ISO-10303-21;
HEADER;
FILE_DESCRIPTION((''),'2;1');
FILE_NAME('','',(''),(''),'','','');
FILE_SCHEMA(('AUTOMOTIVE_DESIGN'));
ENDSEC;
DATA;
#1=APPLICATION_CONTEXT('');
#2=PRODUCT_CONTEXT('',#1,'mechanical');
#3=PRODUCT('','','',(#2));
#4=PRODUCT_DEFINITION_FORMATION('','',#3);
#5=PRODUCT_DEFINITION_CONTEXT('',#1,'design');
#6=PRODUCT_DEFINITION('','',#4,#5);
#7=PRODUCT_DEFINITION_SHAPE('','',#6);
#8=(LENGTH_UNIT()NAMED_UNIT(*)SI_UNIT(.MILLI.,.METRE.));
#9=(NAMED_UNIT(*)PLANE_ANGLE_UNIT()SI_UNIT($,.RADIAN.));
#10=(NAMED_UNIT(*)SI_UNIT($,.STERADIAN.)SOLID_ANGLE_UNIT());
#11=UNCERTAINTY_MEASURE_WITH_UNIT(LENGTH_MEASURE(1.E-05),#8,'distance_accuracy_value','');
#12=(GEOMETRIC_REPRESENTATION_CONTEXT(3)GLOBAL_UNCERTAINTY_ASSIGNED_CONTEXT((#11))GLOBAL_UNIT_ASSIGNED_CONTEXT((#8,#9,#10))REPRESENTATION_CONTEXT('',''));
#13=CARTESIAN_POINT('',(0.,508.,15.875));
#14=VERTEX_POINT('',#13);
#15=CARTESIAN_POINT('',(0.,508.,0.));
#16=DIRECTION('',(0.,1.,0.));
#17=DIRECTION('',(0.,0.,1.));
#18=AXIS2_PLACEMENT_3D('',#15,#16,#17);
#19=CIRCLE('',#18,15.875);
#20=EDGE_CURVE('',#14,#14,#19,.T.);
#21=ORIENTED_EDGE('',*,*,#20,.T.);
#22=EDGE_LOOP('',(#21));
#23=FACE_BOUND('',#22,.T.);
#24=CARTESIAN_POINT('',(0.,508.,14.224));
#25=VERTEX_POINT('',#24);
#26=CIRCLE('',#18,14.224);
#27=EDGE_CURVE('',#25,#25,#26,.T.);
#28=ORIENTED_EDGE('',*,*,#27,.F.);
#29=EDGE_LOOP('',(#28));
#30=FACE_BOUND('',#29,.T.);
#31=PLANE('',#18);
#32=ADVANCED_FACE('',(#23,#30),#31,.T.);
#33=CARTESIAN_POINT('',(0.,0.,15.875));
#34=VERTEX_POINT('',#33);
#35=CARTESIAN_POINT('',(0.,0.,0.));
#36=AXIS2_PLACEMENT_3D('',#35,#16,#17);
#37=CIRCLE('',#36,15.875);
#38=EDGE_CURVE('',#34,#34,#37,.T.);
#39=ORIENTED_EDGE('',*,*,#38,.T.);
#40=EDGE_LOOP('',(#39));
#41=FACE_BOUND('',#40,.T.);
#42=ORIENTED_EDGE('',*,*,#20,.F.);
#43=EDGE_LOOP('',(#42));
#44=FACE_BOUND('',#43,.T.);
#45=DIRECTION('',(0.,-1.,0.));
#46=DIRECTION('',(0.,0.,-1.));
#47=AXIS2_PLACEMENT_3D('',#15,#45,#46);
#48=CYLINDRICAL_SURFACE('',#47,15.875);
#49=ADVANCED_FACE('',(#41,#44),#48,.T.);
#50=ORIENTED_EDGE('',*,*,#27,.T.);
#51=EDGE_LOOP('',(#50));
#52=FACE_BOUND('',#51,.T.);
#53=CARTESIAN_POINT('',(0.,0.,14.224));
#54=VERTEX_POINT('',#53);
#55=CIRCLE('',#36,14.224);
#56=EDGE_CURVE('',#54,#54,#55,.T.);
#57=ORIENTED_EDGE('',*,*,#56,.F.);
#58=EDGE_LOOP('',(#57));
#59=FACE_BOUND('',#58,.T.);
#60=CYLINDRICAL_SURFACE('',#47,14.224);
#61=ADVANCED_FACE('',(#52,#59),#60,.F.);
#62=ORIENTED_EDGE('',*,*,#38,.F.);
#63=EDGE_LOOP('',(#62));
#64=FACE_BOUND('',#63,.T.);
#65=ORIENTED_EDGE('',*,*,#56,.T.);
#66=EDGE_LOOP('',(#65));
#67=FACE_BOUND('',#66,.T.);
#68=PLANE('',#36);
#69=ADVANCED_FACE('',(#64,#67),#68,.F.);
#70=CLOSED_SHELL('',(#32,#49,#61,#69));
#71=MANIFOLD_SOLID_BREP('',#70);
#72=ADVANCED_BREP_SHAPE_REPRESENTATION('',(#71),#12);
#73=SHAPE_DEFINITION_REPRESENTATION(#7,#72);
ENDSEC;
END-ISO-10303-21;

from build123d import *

# Parameters (mm, degrees)
SKETCH130_R                                   = 15.875
SKETCH130_R_2                                 = 14.224
AL_ROUND_TUBING_AL_RND_TUBE_1_25_OD_X_0_DEPTH = 508


with BuildPart() as part:
    # Sketch130 → Al round tubing AL RND TUBE 1.25 OD X 0.063 WALL(1) (new body)
    with BuildSketch(Plane(origin=(0, 0, 0), x_dir=(1, 0, 0), z_dir=(0, 1, 0))):
        Circle(SKETCH130_R)
        Circle(SKETCH130_R_2, mode=Mode.SUBTRACT)
    extrude(amount=AL_ROUND_TUBING_AL_RND_TUBE_1_25_OD_X_0_DEPTH)


solid = part.part
